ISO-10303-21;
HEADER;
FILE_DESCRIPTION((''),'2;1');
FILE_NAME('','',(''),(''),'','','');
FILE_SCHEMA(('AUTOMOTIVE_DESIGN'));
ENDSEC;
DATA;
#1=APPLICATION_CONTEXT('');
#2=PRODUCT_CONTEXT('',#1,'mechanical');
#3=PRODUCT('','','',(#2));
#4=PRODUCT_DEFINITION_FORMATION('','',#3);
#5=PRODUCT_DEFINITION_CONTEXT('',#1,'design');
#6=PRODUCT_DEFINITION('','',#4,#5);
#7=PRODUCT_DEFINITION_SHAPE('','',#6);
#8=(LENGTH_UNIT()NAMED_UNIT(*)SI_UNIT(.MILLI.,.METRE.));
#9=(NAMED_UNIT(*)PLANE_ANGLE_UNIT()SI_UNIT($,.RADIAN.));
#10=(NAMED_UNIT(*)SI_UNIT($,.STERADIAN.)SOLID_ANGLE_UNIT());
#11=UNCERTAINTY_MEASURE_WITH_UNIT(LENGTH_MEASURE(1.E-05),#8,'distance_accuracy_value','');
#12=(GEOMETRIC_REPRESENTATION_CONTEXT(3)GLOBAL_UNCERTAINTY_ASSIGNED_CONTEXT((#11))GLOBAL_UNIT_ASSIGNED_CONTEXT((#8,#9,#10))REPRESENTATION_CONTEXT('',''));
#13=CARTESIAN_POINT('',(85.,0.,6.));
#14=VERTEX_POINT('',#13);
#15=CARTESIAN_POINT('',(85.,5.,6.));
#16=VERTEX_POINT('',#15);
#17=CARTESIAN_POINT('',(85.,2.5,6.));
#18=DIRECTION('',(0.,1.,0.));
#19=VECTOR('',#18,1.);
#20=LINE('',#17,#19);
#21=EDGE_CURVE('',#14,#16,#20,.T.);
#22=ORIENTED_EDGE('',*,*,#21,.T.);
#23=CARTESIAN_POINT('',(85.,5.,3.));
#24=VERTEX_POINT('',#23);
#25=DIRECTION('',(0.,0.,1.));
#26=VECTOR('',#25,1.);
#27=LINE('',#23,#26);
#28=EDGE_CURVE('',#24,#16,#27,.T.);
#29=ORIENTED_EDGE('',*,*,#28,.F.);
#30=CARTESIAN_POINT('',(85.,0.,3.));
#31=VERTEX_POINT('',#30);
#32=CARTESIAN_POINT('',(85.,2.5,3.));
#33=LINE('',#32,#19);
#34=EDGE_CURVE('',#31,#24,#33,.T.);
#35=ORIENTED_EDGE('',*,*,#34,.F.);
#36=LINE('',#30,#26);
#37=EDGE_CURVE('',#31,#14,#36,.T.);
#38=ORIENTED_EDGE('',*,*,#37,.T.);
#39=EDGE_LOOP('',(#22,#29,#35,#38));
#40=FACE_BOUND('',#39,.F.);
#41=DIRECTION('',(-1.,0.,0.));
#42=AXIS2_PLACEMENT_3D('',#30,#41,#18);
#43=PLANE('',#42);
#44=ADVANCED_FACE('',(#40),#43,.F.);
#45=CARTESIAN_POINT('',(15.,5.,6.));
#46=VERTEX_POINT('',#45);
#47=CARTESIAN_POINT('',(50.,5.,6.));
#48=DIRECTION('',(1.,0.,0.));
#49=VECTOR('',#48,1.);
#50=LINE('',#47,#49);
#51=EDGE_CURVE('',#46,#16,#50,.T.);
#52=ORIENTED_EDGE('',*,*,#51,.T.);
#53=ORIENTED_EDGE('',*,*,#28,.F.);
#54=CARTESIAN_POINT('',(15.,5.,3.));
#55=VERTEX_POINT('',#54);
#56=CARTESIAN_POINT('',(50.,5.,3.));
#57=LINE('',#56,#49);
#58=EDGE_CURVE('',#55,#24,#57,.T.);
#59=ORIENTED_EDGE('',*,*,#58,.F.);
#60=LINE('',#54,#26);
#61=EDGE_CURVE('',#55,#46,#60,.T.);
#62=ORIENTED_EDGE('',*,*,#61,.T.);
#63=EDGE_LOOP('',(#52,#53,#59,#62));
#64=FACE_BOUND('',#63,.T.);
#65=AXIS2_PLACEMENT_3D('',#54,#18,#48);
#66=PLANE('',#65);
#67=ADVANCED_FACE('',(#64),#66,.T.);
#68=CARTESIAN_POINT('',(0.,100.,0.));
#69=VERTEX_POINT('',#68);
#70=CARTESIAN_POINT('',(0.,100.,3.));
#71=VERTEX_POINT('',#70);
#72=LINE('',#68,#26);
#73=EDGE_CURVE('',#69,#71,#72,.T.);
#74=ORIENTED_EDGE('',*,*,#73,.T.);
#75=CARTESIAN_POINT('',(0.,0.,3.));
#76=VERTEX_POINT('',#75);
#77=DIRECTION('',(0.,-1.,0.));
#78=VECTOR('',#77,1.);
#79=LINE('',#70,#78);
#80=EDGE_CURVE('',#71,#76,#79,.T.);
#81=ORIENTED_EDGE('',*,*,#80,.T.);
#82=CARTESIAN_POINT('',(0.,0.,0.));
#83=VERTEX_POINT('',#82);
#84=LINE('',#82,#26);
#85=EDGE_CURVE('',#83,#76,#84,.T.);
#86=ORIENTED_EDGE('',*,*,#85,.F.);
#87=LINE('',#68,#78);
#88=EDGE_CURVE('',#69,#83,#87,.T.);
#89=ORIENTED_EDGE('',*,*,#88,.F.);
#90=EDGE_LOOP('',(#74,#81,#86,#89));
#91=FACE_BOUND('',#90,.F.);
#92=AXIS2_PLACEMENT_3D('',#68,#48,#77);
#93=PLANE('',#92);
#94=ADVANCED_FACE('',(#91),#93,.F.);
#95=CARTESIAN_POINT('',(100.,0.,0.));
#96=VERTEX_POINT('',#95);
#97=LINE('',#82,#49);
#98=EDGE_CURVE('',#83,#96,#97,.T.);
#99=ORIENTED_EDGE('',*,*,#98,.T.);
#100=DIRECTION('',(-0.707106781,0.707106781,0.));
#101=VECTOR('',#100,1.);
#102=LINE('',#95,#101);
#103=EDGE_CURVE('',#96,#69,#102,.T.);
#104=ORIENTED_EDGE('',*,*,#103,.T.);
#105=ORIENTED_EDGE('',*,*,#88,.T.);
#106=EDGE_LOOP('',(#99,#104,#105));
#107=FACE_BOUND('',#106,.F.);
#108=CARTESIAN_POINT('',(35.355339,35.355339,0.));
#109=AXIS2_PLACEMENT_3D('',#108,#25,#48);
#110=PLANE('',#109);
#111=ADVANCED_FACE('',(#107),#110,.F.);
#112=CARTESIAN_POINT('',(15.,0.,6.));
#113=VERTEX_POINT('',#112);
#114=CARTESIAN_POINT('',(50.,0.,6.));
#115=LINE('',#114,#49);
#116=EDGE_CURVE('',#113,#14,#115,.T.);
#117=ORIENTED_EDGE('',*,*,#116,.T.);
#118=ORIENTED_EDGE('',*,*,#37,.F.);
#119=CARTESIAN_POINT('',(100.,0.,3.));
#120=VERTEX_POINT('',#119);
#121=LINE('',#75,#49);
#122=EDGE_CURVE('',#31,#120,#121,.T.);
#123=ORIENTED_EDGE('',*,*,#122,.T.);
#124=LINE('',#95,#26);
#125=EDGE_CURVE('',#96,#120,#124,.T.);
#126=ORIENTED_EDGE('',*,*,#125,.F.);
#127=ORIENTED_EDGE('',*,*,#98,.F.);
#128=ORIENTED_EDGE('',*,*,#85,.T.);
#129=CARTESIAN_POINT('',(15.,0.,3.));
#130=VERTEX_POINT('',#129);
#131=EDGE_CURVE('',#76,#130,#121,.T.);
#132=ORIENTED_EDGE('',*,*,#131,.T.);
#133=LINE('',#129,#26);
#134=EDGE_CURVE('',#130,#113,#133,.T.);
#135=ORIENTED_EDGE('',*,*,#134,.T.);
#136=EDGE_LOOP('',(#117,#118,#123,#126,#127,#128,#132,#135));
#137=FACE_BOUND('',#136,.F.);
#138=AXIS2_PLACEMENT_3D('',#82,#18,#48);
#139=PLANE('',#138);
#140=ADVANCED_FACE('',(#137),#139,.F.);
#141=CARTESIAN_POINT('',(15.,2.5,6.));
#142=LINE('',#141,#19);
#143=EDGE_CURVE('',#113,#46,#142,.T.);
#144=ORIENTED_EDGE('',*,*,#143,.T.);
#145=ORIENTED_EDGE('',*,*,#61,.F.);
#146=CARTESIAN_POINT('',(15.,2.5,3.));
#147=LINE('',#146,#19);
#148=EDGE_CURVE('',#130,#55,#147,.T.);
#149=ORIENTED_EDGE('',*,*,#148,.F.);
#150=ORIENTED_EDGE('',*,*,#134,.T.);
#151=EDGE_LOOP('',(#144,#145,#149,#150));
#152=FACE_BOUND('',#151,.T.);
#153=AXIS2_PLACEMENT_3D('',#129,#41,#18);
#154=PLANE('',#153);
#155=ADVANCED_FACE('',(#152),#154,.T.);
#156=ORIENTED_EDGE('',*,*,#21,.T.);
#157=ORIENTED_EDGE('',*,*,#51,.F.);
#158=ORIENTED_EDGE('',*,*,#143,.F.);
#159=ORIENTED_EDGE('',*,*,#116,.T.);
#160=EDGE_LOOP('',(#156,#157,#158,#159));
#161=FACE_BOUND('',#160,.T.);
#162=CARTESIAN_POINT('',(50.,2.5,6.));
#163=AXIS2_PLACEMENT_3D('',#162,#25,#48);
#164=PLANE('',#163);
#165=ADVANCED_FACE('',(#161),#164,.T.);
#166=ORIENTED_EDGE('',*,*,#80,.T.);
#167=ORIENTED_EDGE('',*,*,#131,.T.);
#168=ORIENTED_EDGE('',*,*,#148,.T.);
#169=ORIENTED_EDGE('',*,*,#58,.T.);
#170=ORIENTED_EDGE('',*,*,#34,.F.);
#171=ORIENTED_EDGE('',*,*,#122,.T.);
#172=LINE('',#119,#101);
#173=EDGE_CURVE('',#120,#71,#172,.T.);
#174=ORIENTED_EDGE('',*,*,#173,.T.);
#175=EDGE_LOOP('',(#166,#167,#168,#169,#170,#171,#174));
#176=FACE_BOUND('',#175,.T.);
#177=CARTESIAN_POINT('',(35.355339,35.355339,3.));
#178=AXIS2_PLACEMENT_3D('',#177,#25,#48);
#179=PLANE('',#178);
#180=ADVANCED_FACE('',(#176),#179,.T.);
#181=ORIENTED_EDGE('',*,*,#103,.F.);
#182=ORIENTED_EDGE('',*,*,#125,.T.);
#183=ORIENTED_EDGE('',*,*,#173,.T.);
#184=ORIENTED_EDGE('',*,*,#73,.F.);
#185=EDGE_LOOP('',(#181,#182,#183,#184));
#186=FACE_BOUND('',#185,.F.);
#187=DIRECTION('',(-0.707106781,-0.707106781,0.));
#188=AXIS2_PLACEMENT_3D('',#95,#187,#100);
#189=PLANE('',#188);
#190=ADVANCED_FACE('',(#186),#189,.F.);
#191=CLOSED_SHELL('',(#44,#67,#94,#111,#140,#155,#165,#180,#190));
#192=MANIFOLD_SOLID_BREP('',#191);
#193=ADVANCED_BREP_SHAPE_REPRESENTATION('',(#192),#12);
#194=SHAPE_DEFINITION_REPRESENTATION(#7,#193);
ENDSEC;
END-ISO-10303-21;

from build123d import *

# Parameters (mm, degrees)
F1_DEPTH = 3
F2_W     = 70
F2_H     = 5
F3_DEPTH = 3


with BuildPart() as f1:
    # F0 (on Top) → F1 (new body)
    with BuildSketch(Plane.XY):
        Polygon((0, 100), (0, 0), (100, 0), align=None)
    extrude(amount=F1_DEPTH)

    # F2 (on face) → F3 (join)
    with BuildSketch(Plane.XY.offset(3)):
        with Locations((50, 2.5)):
            Rectangle(F2_W, F2_H)
    extrude(amount=F3_DEPTH)


solid = f1.part
